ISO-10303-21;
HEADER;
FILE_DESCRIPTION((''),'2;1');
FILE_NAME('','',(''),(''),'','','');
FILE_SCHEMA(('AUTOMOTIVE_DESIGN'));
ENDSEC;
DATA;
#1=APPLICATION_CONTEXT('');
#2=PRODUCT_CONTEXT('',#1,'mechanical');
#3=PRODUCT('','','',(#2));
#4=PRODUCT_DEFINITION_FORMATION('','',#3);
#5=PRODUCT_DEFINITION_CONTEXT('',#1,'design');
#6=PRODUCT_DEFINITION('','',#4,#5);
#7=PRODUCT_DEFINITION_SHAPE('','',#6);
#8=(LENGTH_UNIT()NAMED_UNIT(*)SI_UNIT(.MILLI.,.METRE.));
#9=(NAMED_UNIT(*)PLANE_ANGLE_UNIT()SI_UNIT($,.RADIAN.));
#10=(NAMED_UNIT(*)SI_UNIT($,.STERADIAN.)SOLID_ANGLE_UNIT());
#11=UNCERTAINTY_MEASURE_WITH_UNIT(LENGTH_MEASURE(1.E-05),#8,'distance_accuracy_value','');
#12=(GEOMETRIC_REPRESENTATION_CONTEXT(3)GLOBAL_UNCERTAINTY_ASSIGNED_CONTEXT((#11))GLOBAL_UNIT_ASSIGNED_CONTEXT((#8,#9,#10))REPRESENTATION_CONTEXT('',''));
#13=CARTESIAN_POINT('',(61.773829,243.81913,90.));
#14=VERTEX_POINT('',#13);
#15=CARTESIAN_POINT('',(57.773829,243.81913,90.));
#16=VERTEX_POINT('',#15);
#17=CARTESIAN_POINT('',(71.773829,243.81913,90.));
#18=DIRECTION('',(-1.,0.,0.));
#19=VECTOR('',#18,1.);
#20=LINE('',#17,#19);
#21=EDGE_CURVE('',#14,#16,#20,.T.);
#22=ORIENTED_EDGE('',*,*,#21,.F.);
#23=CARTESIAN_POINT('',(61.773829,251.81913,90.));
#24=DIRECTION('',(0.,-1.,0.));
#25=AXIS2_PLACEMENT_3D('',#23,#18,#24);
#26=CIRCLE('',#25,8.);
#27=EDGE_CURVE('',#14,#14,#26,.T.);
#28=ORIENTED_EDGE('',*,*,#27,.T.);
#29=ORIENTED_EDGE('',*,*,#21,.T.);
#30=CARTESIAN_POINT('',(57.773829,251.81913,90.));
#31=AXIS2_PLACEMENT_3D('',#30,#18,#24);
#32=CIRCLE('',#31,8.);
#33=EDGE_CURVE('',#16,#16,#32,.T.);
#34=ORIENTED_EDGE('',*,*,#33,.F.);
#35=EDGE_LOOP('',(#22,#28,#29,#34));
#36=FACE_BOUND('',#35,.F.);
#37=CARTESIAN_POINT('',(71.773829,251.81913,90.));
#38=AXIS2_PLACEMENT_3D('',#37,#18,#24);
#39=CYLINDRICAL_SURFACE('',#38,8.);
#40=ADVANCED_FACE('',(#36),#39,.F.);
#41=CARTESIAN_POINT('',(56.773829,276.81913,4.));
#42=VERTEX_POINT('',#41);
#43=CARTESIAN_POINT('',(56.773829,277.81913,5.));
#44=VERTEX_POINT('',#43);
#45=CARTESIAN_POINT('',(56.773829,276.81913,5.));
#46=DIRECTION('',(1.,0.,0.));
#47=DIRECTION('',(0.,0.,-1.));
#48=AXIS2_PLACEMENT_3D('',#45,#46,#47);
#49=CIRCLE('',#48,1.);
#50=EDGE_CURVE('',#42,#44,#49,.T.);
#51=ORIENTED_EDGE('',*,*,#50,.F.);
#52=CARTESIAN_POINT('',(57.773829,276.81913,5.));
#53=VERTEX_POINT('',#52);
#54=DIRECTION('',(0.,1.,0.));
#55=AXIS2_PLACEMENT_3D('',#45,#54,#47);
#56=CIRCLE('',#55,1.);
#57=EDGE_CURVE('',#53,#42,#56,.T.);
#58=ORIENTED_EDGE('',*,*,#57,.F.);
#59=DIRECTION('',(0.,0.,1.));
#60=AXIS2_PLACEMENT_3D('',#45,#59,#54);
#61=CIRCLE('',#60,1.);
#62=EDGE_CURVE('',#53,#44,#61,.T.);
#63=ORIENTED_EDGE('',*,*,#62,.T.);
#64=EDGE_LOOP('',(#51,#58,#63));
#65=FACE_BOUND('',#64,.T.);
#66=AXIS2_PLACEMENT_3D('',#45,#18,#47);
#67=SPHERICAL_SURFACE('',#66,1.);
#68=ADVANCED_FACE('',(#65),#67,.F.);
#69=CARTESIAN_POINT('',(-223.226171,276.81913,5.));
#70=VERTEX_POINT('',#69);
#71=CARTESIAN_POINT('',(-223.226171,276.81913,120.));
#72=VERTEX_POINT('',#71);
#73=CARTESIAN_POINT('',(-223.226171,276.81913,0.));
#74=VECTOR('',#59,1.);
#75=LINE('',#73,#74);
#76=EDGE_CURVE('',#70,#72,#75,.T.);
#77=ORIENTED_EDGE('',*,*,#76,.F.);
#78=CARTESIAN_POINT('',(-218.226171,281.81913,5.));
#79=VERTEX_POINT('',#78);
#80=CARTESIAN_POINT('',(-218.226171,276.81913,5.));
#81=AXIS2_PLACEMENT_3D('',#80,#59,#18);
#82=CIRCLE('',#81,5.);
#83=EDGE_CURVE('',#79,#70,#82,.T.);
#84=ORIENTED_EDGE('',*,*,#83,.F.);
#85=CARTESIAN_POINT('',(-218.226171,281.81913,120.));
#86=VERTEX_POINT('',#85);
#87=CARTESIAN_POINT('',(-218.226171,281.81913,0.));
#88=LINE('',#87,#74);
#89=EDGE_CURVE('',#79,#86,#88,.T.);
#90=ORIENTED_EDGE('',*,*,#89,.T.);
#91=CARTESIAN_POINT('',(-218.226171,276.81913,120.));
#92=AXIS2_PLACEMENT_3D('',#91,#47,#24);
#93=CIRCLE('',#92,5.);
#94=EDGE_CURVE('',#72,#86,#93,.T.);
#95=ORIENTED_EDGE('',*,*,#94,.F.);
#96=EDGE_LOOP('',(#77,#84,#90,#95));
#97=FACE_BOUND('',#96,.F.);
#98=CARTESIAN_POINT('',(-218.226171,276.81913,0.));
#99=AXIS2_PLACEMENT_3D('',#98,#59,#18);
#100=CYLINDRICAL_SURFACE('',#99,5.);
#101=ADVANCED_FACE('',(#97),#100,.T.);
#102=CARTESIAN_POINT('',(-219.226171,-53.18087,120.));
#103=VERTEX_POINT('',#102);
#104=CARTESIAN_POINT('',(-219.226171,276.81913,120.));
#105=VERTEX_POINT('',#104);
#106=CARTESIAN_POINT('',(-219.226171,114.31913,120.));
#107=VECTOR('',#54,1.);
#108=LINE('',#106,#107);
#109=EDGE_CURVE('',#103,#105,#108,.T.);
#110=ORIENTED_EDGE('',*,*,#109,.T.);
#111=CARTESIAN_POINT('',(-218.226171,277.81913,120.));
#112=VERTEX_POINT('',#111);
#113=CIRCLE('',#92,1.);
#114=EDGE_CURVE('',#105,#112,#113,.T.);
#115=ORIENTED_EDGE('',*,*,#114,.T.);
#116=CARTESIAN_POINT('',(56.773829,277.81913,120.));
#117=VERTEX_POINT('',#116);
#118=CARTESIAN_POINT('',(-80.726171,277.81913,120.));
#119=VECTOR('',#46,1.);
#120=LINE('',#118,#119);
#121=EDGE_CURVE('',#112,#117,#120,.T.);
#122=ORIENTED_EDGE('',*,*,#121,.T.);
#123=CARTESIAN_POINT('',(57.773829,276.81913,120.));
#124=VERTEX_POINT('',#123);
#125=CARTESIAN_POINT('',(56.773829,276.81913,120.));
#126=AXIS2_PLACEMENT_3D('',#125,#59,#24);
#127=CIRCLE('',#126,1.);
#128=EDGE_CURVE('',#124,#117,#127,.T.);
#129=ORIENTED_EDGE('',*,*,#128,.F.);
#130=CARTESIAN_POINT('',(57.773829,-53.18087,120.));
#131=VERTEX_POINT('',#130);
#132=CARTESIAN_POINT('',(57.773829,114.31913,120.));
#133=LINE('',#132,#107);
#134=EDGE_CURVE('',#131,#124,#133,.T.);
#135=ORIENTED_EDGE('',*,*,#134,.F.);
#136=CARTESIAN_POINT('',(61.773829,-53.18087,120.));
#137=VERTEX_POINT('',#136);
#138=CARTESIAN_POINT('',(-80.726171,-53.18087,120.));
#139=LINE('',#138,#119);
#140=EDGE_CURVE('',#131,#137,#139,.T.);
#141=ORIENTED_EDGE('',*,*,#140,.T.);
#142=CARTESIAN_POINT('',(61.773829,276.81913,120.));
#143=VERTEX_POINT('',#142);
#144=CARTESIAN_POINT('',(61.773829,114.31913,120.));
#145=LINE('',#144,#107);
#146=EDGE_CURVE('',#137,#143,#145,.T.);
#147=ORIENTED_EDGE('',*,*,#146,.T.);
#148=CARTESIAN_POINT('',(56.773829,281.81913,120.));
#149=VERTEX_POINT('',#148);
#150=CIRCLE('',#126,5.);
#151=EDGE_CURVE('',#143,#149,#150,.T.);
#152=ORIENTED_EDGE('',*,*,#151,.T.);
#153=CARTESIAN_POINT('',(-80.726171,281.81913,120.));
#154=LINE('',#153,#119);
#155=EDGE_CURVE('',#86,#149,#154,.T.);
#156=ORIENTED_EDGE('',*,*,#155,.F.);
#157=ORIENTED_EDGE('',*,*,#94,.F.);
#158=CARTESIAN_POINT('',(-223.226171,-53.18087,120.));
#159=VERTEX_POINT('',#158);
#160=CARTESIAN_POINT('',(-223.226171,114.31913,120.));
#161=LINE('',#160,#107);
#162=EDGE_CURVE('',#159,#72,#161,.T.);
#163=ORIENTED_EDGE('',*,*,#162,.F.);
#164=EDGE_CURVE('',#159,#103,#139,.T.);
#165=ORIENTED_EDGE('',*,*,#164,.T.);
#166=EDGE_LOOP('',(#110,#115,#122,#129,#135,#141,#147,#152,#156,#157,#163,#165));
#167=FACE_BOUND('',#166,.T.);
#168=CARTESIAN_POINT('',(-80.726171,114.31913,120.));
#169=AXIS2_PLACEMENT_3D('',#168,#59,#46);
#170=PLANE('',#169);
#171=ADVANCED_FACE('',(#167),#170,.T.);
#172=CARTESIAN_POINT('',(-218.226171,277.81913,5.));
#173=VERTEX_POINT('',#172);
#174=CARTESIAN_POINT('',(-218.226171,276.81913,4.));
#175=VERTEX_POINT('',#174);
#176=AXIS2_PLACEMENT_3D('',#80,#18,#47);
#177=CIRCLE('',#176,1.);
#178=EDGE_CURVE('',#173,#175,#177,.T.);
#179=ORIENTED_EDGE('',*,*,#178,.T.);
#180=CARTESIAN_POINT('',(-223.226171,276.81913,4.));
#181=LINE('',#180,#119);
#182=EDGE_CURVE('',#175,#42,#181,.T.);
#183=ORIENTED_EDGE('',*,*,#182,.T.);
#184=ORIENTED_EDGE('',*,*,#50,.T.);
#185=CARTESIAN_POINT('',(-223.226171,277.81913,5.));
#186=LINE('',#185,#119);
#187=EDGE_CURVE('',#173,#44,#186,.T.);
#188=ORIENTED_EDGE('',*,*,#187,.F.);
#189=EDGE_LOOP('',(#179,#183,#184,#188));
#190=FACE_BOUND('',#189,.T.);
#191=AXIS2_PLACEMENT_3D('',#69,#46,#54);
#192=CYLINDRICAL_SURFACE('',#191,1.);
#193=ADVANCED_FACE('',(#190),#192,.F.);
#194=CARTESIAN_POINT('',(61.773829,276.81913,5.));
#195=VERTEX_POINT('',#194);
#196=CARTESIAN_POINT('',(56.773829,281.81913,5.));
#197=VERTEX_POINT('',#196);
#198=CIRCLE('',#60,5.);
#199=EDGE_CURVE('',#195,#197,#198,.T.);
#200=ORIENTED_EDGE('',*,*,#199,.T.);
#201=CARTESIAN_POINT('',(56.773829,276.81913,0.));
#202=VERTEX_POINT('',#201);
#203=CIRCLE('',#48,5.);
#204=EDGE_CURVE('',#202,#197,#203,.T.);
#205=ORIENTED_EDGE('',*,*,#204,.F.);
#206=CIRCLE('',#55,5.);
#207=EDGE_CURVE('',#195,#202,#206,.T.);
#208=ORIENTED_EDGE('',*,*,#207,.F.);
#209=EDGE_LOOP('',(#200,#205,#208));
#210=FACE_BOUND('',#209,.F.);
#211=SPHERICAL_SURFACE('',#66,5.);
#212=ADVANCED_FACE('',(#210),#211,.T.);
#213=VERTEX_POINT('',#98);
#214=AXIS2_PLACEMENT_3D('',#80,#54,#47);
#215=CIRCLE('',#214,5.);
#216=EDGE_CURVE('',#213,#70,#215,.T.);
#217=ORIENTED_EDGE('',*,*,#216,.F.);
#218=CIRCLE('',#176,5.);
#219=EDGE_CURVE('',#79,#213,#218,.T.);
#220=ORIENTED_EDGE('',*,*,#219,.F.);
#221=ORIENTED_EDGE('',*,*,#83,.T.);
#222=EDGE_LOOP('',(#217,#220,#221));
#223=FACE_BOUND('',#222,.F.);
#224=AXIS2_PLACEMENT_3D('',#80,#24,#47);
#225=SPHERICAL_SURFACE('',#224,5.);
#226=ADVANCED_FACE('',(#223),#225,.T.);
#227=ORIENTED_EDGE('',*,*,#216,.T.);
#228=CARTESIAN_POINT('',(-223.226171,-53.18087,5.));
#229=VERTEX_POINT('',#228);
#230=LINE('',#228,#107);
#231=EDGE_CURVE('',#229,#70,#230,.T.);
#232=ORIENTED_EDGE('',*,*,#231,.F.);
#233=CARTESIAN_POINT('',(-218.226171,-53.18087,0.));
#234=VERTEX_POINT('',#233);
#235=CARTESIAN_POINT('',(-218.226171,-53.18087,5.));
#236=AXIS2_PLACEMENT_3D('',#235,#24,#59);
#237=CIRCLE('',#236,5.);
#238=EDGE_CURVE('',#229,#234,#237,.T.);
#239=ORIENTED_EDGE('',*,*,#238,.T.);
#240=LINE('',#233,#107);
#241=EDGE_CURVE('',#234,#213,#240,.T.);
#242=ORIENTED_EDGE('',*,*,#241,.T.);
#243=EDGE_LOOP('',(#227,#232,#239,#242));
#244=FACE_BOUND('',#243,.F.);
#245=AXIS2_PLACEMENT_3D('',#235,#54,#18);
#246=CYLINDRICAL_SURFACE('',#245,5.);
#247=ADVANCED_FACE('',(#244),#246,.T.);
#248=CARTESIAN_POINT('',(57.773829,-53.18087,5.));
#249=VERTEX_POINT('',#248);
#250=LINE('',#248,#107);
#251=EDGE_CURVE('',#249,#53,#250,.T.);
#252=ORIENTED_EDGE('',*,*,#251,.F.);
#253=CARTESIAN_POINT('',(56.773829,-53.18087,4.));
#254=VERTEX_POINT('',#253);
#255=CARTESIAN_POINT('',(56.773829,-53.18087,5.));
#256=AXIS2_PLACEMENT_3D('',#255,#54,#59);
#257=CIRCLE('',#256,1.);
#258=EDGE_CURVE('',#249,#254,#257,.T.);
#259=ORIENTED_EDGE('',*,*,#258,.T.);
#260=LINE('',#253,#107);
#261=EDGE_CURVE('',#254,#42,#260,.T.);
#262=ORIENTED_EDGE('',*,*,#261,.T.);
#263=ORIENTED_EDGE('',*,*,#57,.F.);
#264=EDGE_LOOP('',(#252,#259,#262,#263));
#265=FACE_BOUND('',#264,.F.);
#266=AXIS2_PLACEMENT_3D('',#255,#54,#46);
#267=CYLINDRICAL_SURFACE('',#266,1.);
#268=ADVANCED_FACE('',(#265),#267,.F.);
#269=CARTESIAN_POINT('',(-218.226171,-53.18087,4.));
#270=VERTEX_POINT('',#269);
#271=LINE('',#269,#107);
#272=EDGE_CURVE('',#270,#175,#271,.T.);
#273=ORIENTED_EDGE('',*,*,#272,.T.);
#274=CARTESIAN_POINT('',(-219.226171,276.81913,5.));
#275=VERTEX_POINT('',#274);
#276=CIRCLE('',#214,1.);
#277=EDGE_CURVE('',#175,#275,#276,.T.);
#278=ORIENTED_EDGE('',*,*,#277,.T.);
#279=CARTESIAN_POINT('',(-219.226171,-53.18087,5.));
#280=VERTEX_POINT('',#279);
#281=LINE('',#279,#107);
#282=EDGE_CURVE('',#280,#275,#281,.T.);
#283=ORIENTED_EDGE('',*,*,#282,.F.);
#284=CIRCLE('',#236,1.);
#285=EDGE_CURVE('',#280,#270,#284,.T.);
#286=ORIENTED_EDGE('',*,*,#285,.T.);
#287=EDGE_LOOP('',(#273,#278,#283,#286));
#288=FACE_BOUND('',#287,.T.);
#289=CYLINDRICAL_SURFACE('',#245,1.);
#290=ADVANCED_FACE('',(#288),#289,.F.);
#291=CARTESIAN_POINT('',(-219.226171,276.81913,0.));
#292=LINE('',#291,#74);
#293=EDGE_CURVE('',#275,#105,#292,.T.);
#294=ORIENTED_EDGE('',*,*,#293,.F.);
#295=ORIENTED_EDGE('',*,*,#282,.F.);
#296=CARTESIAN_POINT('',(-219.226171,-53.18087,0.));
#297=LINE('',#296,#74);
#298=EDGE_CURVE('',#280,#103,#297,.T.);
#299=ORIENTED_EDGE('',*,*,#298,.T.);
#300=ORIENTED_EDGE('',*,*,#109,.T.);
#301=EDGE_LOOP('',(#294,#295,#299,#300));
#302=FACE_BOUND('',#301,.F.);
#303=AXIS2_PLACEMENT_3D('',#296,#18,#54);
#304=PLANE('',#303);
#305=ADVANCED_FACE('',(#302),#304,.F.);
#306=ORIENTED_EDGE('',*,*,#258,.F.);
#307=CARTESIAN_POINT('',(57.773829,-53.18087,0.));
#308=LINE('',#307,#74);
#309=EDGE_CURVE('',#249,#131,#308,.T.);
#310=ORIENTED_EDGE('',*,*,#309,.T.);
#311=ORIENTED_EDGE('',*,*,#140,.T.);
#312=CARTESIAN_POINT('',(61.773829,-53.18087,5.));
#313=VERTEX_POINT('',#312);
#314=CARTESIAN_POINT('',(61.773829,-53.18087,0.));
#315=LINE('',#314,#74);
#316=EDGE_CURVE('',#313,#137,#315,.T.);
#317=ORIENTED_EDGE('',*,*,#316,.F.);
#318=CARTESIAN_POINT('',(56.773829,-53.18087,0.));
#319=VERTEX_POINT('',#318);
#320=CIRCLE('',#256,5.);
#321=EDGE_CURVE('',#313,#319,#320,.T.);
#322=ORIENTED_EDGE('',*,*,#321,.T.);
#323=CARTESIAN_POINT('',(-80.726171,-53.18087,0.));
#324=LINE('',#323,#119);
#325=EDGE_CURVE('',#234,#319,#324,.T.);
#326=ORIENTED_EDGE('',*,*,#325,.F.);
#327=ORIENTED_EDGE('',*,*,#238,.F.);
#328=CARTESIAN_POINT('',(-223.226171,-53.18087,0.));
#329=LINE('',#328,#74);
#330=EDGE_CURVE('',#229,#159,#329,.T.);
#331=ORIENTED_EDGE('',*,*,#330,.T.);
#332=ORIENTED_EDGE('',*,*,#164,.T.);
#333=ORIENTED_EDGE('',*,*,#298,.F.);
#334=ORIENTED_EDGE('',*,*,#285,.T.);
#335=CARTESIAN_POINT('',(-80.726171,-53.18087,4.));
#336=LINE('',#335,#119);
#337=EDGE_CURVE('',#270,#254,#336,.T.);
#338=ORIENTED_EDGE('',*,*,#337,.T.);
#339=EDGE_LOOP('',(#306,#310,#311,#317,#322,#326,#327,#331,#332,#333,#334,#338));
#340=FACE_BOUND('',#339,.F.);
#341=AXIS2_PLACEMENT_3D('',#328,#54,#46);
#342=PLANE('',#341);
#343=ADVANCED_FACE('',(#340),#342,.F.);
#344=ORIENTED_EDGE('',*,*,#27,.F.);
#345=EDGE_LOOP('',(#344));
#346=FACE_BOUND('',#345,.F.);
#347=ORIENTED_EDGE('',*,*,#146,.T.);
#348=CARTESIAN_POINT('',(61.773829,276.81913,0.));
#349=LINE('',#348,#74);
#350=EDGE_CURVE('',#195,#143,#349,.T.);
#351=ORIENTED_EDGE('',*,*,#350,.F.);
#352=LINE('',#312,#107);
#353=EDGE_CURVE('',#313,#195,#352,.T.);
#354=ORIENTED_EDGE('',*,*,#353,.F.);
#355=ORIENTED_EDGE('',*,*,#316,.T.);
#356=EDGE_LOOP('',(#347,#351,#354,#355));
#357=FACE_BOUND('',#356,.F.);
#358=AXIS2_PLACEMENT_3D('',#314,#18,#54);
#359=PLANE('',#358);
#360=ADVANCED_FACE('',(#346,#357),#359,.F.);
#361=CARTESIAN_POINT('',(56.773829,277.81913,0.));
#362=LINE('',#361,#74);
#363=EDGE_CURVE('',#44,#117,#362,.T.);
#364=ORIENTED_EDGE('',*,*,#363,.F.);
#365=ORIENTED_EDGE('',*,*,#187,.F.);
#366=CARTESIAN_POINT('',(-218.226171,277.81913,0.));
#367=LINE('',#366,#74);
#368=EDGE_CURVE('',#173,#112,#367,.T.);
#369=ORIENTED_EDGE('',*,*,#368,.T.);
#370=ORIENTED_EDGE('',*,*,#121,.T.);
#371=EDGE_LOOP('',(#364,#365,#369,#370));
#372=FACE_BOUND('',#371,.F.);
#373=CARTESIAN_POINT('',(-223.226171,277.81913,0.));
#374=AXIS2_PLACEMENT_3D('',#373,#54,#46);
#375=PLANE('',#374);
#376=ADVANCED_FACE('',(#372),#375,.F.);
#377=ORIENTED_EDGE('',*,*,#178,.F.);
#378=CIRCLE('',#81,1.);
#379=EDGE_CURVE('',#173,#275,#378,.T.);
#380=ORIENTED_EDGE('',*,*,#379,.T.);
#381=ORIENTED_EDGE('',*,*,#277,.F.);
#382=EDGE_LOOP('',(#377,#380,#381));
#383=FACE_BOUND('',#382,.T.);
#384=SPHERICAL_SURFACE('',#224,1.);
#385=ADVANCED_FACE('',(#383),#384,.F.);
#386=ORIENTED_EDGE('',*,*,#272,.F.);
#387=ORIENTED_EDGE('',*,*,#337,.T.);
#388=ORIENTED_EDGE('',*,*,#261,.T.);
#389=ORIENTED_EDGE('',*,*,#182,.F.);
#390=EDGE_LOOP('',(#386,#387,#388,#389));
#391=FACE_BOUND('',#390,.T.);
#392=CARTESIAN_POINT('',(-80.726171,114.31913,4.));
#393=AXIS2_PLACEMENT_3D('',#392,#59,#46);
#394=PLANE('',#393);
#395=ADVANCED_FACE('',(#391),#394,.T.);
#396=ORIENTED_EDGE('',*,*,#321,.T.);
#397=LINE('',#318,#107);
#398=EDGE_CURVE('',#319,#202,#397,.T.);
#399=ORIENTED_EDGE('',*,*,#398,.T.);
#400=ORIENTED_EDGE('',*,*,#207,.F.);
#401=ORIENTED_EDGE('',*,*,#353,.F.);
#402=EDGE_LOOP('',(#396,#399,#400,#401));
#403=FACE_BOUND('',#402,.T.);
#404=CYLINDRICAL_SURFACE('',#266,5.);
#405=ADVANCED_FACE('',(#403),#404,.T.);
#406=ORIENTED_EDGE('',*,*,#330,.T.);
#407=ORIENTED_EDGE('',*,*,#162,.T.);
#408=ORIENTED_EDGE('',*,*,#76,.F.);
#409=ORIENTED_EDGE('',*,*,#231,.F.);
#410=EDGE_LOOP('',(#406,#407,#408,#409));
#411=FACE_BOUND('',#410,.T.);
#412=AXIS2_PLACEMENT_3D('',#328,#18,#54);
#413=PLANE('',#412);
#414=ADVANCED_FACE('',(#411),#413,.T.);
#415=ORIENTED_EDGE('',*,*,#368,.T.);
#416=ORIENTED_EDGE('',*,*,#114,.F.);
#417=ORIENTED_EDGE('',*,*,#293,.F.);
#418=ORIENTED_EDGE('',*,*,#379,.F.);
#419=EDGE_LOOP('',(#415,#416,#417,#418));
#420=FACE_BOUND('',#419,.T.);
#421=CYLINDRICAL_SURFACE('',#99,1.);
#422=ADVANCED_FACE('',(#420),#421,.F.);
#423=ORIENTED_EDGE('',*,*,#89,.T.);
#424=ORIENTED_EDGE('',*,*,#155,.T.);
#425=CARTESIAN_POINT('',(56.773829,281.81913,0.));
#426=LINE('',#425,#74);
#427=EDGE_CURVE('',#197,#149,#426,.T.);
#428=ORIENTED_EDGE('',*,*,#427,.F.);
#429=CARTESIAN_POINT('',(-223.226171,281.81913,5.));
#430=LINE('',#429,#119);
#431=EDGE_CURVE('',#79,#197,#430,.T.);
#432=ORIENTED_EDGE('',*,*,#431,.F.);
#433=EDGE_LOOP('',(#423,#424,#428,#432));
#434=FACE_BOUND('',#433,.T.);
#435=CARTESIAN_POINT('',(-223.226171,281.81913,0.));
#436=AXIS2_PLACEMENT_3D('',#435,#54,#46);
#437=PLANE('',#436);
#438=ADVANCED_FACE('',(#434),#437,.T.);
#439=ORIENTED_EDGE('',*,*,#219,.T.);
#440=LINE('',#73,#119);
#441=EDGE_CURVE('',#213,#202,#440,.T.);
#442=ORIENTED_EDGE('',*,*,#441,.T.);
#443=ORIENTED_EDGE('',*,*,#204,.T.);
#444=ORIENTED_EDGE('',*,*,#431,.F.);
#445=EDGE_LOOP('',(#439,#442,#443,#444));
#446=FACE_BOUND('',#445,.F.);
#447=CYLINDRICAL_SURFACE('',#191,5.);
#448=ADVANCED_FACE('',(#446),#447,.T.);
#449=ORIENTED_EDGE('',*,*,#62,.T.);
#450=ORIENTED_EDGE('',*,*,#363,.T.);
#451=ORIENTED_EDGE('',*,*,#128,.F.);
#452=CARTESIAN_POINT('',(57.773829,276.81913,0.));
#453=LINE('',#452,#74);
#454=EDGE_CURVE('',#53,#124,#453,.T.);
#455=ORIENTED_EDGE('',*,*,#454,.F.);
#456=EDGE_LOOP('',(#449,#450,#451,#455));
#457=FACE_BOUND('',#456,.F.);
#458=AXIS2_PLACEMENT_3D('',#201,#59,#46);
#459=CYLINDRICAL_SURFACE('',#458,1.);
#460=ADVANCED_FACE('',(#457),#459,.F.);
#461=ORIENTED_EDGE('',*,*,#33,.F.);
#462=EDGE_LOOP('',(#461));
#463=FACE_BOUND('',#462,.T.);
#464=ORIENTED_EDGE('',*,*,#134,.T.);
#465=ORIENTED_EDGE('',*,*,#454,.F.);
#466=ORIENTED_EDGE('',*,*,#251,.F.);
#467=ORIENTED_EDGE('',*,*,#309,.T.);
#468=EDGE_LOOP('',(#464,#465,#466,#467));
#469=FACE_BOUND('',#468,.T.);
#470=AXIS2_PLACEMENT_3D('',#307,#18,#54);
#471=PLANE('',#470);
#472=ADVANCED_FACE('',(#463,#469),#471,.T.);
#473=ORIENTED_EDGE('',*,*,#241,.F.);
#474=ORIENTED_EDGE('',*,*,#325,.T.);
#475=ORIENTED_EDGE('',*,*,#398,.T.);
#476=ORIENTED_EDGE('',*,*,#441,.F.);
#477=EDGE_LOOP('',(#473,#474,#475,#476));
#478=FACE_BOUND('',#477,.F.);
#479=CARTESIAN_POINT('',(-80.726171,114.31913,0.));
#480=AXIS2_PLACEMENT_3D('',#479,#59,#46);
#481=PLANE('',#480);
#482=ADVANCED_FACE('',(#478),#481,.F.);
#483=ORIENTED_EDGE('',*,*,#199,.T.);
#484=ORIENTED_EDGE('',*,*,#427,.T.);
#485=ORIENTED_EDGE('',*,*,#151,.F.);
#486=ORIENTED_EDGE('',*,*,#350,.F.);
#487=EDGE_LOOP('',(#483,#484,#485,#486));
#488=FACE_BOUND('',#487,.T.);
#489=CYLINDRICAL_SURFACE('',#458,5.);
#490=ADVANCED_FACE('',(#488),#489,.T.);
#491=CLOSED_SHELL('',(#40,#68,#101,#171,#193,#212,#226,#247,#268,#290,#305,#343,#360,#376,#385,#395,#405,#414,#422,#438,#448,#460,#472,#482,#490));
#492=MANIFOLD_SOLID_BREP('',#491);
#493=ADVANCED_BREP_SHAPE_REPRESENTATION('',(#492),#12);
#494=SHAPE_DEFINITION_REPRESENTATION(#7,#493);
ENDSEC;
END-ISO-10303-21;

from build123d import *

# Parameters (mm, degrees)
F0_W     = 285
F0_H     = 335
F1_DEPTH = 120
F2_R     = 5
F3_T     = -4
F5_D     = 16
F5_DEPTH = 10


with BuildPart() as f1:
    # F0 (on Top) → F1 (new body)
    with BuildSketch(Plane.XY):
        with Locations((-80.726171, 114.31913)):
            Rectangle(F0_W, F0_H)
    extrude(amount=F1_DEPTH)

    # F2
    f2_edges = [f1.edges().sort_by_distance(p)[0] for p in [
        (-223.226171, 114.31913, 0),
        (-80.726171, 281.81913, 0),
        (61.773829, 114.31913, 0),
        (-223.226171, 281.81913, 60),
        (61.773829, 281.81913, 60),
    ]]
    fillet(f2_edges, radius=F2_R)

    # F3
    f3_openings = [f1.faces().sort_by_distance(p)[0] for p in [
        (-80.726171, 114.300429, 120),
        (-80.726171, -53.18087, 60.01848),
    ]]
    offset(amount=F3_T, openings=f3_openings)

    # F5
    with Locations(Plane.YZ.offset(61.773829)):
        with Locations((251.81913, 90)):
            Hole(F5_D / 2, depth=F5_DEPTH)


solid = f1.part
